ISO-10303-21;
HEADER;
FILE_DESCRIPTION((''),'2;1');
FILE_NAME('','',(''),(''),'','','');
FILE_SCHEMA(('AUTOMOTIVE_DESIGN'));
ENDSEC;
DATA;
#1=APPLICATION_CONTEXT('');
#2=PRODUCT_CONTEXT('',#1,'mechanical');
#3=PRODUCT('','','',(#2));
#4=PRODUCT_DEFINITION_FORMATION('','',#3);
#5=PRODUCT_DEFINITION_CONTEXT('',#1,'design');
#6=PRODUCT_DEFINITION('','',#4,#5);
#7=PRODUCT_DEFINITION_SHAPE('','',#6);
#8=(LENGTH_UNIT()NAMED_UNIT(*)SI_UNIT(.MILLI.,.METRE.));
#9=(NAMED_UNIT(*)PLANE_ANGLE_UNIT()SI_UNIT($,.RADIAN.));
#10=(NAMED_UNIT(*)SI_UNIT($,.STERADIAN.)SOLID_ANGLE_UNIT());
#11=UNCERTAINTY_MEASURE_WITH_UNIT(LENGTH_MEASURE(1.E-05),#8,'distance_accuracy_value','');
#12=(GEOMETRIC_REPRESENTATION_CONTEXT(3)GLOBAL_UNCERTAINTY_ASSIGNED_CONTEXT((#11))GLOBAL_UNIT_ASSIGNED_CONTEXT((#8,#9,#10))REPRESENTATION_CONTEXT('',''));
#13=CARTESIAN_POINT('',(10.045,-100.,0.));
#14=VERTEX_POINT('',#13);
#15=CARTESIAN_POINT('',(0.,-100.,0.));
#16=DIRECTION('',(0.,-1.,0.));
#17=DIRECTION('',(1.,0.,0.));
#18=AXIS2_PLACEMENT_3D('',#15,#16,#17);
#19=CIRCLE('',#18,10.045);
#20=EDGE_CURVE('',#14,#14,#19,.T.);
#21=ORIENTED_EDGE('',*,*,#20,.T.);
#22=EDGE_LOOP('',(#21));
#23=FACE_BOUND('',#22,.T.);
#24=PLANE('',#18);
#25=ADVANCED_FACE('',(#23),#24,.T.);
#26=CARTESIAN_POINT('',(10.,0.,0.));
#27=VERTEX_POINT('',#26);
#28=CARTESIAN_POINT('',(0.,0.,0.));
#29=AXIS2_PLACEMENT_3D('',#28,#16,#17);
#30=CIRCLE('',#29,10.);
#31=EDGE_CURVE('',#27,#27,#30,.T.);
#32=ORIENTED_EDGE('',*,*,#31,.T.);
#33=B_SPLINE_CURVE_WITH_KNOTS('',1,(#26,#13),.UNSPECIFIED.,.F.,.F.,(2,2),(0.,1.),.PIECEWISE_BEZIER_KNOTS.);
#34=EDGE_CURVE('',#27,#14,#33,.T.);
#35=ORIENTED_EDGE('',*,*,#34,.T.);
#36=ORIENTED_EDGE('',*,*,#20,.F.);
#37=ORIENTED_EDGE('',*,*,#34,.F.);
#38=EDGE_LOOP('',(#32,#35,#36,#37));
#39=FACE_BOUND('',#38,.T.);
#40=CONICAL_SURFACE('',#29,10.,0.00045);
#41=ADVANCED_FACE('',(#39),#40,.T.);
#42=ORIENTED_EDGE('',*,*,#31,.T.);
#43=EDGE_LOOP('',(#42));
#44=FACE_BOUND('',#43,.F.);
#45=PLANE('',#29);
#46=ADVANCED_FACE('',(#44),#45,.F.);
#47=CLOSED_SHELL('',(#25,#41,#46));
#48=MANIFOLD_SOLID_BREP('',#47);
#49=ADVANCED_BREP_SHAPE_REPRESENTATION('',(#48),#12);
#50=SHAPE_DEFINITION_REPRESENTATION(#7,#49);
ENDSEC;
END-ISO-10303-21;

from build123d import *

# Parameters (mm, degrees)
F0_R = 10
F2_R = 10.045


with BuildPart() as f3:
    # F0 (on Front) → F3 section 0
    with BuildSketch(Plane.XZ):
        Circle(F0_R)
    # F2 (on offset) → F3 section 1
    with BuildSketch(Plane.XZ.offset(100)):
        Circle(F2_R)
    loft()


solid = f3.part
